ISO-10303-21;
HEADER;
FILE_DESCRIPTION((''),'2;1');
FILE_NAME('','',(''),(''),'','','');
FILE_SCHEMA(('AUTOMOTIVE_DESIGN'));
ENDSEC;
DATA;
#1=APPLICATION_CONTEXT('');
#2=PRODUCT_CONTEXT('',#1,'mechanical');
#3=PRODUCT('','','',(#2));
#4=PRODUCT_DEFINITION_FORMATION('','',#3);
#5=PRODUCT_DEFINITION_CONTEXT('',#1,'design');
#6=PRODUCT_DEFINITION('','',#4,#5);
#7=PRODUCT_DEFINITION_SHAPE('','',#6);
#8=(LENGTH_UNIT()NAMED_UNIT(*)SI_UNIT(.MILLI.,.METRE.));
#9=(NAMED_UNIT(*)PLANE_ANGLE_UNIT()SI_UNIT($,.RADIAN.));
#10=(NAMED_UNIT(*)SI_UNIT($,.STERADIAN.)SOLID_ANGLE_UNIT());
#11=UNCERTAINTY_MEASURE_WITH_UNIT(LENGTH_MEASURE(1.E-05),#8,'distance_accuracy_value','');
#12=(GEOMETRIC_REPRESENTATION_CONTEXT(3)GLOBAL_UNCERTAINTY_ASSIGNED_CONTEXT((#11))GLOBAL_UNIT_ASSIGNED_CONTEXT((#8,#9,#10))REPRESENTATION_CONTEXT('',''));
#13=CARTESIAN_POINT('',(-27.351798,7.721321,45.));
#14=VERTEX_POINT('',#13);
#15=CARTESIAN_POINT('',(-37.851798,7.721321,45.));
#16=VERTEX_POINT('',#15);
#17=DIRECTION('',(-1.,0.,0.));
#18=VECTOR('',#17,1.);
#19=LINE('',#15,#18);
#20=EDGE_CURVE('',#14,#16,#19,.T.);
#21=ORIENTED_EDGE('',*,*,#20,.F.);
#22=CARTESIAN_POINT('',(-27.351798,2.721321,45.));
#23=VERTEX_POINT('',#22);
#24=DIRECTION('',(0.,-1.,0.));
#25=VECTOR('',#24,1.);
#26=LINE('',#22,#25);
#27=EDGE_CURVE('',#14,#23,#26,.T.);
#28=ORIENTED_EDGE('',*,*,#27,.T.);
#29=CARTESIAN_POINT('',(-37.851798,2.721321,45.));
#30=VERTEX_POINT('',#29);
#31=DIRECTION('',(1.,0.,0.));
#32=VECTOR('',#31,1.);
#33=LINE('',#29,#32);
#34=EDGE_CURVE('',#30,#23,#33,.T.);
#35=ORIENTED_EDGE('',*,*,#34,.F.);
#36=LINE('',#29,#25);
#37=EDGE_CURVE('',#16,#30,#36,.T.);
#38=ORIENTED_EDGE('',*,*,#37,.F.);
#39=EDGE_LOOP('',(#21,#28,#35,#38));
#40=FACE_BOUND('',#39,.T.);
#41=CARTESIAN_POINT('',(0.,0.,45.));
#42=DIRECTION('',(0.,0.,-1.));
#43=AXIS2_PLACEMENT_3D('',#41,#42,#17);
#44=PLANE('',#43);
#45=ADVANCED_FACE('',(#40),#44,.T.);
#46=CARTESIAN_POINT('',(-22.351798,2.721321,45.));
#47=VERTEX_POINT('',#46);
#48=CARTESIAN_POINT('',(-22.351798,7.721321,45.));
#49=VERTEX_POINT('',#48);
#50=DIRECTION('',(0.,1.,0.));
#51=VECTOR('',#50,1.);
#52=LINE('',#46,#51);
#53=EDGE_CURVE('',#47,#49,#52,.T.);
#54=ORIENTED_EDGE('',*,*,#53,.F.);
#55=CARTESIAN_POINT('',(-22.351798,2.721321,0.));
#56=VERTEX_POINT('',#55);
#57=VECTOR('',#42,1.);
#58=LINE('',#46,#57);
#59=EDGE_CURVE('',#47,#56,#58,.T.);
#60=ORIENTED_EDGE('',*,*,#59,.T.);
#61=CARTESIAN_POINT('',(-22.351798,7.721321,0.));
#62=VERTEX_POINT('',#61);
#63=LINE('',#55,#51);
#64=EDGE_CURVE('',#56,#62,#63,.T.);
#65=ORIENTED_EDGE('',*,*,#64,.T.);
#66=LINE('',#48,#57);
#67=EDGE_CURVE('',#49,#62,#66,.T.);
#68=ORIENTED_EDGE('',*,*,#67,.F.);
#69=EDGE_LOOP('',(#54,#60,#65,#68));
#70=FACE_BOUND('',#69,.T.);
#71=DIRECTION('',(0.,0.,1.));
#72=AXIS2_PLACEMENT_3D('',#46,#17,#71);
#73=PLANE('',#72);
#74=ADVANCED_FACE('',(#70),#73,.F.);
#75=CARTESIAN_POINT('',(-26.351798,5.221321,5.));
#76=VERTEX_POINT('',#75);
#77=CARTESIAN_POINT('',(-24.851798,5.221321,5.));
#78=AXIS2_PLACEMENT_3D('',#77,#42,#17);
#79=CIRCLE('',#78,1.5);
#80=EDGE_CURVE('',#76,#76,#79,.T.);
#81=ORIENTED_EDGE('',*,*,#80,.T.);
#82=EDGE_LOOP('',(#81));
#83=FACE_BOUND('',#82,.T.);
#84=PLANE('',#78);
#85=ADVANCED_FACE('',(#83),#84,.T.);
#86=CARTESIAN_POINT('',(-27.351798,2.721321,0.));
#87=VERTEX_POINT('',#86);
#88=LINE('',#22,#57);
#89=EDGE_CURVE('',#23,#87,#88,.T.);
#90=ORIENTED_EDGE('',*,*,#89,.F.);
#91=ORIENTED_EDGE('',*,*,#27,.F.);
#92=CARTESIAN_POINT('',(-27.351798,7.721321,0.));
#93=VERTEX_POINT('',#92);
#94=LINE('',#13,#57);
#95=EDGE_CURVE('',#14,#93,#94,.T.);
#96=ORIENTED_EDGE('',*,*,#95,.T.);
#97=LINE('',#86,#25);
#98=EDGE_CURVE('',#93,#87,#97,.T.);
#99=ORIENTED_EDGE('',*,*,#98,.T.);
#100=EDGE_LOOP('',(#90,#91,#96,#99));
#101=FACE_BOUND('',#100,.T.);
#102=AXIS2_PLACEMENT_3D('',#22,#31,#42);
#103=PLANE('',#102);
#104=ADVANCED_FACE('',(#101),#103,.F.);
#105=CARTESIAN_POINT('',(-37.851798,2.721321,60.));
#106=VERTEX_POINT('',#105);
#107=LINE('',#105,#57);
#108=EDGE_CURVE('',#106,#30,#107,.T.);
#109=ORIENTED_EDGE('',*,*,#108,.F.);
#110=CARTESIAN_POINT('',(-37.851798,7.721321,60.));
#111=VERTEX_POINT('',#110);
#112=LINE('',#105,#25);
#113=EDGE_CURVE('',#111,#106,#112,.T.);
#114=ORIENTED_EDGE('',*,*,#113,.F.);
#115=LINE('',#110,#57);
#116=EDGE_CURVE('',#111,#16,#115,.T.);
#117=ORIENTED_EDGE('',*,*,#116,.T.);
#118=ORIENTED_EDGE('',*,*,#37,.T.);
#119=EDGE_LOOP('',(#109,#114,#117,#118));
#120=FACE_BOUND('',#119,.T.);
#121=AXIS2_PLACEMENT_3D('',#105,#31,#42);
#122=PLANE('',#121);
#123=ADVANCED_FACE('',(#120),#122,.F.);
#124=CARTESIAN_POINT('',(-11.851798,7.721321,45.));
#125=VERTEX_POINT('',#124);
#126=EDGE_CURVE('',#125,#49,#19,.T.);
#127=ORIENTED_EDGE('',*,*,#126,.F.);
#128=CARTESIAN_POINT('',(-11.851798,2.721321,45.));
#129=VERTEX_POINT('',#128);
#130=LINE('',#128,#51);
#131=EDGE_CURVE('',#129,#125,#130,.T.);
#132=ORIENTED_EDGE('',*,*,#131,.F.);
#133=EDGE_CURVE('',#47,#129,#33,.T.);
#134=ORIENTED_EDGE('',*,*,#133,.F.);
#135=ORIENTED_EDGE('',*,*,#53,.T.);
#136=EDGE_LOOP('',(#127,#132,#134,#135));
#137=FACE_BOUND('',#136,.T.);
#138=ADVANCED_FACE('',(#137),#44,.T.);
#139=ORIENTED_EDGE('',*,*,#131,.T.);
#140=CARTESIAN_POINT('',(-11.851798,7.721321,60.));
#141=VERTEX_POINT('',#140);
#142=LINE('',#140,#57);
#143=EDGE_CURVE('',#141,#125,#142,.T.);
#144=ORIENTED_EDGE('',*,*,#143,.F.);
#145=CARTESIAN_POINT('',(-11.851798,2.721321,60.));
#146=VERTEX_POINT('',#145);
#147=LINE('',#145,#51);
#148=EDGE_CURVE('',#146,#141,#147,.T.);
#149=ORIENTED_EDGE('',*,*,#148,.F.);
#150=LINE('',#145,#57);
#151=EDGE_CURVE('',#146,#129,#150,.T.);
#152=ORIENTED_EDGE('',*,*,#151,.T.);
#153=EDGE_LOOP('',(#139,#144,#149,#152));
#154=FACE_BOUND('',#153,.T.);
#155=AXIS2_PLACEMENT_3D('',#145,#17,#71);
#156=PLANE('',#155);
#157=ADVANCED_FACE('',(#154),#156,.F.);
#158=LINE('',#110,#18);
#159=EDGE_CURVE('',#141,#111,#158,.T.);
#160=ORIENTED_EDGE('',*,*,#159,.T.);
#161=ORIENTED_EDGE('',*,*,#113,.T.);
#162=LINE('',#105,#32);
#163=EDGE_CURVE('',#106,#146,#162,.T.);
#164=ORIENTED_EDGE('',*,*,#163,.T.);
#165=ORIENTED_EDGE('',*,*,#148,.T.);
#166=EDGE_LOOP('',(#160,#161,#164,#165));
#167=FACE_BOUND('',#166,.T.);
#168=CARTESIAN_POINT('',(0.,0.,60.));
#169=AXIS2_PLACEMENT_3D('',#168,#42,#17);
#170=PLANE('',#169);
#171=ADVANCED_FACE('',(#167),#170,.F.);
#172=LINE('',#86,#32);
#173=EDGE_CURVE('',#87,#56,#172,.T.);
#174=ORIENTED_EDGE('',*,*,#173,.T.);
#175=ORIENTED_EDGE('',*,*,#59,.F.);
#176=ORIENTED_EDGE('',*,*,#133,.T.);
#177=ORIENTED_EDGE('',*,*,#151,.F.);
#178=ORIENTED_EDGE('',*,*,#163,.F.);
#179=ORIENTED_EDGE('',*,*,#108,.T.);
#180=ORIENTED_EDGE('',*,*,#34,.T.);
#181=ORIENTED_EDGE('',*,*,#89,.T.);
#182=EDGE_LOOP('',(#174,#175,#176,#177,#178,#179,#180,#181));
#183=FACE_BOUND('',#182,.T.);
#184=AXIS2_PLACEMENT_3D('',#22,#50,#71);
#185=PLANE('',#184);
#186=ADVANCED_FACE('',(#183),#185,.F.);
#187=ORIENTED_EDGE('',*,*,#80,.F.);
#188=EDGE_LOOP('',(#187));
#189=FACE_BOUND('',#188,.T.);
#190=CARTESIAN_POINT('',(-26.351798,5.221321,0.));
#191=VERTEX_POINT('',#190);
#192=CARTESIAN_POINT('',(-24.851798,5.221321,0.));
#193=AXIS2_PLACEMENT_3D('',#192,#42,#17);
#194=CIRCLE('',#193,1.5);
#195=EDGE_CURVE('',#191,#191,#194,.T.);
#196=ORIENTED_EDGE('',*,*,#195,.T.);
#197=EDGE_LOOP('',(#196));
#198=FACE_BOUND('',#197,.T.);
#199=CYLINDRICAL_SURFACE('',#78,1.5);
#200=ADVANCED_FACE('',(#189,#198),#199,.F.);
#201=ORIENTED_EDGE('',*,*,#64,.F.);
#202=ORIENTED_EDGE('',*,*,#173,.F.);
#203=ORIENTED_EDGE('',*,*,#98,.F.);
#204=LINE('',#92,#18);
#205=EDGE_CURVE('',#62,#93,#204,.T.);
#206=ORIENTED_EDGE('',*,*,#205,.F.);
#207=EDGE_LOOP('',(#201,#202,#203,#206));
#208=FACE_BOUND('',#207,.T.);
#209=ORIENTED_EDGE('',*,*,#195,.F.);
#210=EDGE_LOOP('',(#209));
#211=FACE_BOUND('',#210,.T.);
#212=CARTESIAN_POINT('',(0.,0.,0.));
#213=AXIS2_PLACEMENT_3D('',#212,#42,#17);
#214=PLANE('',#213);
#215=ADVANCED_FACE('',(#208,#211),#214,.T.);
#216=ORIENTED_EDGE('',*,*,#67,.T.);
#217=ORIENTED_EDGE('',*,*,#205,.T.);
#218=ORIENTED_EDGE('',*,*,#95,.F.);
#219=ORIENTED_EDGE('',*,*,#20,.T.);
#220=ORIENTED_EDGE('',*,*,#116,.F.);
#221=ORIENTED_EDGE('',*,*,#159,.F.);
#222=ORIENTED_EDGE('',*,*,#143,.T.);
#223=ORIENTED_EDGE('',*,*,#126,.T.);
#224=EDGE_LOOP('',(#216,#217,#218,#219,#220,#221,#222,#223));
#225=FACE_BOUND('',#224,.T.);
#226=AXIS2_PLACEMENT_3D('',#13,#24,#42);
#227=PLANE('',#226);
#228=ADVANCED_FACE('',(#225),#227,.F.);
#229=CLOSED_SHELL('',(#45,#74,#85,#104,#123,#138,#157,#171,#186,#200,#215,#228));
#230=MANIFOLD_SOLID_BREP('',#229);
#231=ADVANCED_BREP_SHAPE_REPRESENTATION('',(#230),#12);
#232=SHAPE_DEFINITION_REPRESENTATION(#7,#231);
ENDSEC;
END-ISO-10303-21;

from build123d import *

# Parameters (mm, degrees)
SKETCH1_W           = 5
SKETCH1_H           = 5
BOSS_EXTRUDE1_DEPTH = 45
SKETCH2_W           = 26
SKETCH2_H           = 5
BOSS_EXTRUDE2_DEPTH = 15
SKETCH3_R           = 1.5
CUT_EXTRUDE1_DEPTH  = 5


with BuildPart() as part:
    # Sketch1 → Boss-Extrude1 (new body)
    with BuildSketch(Plane.XY):
        with Locations((-24.851797929, 5.221320947)):
            Rectangle(SKETCH1_W, SKETCH1_H)
    extrude(amount=BOSS_EXTRUDE1_DEPTH)

    # Sketch2 → Boss-Extrude2 (add)
    with BuildSketch(Plane.XY.offset(45)):
        with Locations((-24.851797929, 5.221320947)):
            Rectangle(SKETCH2_W, SKETCH2_H)
    extrude(amount=BOSS_EXTRUDE2_DEPTH)

    # Sketch3 → Cut-Extrude1 (cut)
    with BuildSketch(Plane(origin=(0, 0, 0), x_dir=(-1, 0, 0), z_dir=(0, 0, -1))):
        with Locations((24.851797929, 5.221320947)):
            Circle(SKETCH3_R)
    extrude(amount=-CUT_EXTRUDE1_DEPTH, mode=Mode.SUBTRACT)


solid = part.part
